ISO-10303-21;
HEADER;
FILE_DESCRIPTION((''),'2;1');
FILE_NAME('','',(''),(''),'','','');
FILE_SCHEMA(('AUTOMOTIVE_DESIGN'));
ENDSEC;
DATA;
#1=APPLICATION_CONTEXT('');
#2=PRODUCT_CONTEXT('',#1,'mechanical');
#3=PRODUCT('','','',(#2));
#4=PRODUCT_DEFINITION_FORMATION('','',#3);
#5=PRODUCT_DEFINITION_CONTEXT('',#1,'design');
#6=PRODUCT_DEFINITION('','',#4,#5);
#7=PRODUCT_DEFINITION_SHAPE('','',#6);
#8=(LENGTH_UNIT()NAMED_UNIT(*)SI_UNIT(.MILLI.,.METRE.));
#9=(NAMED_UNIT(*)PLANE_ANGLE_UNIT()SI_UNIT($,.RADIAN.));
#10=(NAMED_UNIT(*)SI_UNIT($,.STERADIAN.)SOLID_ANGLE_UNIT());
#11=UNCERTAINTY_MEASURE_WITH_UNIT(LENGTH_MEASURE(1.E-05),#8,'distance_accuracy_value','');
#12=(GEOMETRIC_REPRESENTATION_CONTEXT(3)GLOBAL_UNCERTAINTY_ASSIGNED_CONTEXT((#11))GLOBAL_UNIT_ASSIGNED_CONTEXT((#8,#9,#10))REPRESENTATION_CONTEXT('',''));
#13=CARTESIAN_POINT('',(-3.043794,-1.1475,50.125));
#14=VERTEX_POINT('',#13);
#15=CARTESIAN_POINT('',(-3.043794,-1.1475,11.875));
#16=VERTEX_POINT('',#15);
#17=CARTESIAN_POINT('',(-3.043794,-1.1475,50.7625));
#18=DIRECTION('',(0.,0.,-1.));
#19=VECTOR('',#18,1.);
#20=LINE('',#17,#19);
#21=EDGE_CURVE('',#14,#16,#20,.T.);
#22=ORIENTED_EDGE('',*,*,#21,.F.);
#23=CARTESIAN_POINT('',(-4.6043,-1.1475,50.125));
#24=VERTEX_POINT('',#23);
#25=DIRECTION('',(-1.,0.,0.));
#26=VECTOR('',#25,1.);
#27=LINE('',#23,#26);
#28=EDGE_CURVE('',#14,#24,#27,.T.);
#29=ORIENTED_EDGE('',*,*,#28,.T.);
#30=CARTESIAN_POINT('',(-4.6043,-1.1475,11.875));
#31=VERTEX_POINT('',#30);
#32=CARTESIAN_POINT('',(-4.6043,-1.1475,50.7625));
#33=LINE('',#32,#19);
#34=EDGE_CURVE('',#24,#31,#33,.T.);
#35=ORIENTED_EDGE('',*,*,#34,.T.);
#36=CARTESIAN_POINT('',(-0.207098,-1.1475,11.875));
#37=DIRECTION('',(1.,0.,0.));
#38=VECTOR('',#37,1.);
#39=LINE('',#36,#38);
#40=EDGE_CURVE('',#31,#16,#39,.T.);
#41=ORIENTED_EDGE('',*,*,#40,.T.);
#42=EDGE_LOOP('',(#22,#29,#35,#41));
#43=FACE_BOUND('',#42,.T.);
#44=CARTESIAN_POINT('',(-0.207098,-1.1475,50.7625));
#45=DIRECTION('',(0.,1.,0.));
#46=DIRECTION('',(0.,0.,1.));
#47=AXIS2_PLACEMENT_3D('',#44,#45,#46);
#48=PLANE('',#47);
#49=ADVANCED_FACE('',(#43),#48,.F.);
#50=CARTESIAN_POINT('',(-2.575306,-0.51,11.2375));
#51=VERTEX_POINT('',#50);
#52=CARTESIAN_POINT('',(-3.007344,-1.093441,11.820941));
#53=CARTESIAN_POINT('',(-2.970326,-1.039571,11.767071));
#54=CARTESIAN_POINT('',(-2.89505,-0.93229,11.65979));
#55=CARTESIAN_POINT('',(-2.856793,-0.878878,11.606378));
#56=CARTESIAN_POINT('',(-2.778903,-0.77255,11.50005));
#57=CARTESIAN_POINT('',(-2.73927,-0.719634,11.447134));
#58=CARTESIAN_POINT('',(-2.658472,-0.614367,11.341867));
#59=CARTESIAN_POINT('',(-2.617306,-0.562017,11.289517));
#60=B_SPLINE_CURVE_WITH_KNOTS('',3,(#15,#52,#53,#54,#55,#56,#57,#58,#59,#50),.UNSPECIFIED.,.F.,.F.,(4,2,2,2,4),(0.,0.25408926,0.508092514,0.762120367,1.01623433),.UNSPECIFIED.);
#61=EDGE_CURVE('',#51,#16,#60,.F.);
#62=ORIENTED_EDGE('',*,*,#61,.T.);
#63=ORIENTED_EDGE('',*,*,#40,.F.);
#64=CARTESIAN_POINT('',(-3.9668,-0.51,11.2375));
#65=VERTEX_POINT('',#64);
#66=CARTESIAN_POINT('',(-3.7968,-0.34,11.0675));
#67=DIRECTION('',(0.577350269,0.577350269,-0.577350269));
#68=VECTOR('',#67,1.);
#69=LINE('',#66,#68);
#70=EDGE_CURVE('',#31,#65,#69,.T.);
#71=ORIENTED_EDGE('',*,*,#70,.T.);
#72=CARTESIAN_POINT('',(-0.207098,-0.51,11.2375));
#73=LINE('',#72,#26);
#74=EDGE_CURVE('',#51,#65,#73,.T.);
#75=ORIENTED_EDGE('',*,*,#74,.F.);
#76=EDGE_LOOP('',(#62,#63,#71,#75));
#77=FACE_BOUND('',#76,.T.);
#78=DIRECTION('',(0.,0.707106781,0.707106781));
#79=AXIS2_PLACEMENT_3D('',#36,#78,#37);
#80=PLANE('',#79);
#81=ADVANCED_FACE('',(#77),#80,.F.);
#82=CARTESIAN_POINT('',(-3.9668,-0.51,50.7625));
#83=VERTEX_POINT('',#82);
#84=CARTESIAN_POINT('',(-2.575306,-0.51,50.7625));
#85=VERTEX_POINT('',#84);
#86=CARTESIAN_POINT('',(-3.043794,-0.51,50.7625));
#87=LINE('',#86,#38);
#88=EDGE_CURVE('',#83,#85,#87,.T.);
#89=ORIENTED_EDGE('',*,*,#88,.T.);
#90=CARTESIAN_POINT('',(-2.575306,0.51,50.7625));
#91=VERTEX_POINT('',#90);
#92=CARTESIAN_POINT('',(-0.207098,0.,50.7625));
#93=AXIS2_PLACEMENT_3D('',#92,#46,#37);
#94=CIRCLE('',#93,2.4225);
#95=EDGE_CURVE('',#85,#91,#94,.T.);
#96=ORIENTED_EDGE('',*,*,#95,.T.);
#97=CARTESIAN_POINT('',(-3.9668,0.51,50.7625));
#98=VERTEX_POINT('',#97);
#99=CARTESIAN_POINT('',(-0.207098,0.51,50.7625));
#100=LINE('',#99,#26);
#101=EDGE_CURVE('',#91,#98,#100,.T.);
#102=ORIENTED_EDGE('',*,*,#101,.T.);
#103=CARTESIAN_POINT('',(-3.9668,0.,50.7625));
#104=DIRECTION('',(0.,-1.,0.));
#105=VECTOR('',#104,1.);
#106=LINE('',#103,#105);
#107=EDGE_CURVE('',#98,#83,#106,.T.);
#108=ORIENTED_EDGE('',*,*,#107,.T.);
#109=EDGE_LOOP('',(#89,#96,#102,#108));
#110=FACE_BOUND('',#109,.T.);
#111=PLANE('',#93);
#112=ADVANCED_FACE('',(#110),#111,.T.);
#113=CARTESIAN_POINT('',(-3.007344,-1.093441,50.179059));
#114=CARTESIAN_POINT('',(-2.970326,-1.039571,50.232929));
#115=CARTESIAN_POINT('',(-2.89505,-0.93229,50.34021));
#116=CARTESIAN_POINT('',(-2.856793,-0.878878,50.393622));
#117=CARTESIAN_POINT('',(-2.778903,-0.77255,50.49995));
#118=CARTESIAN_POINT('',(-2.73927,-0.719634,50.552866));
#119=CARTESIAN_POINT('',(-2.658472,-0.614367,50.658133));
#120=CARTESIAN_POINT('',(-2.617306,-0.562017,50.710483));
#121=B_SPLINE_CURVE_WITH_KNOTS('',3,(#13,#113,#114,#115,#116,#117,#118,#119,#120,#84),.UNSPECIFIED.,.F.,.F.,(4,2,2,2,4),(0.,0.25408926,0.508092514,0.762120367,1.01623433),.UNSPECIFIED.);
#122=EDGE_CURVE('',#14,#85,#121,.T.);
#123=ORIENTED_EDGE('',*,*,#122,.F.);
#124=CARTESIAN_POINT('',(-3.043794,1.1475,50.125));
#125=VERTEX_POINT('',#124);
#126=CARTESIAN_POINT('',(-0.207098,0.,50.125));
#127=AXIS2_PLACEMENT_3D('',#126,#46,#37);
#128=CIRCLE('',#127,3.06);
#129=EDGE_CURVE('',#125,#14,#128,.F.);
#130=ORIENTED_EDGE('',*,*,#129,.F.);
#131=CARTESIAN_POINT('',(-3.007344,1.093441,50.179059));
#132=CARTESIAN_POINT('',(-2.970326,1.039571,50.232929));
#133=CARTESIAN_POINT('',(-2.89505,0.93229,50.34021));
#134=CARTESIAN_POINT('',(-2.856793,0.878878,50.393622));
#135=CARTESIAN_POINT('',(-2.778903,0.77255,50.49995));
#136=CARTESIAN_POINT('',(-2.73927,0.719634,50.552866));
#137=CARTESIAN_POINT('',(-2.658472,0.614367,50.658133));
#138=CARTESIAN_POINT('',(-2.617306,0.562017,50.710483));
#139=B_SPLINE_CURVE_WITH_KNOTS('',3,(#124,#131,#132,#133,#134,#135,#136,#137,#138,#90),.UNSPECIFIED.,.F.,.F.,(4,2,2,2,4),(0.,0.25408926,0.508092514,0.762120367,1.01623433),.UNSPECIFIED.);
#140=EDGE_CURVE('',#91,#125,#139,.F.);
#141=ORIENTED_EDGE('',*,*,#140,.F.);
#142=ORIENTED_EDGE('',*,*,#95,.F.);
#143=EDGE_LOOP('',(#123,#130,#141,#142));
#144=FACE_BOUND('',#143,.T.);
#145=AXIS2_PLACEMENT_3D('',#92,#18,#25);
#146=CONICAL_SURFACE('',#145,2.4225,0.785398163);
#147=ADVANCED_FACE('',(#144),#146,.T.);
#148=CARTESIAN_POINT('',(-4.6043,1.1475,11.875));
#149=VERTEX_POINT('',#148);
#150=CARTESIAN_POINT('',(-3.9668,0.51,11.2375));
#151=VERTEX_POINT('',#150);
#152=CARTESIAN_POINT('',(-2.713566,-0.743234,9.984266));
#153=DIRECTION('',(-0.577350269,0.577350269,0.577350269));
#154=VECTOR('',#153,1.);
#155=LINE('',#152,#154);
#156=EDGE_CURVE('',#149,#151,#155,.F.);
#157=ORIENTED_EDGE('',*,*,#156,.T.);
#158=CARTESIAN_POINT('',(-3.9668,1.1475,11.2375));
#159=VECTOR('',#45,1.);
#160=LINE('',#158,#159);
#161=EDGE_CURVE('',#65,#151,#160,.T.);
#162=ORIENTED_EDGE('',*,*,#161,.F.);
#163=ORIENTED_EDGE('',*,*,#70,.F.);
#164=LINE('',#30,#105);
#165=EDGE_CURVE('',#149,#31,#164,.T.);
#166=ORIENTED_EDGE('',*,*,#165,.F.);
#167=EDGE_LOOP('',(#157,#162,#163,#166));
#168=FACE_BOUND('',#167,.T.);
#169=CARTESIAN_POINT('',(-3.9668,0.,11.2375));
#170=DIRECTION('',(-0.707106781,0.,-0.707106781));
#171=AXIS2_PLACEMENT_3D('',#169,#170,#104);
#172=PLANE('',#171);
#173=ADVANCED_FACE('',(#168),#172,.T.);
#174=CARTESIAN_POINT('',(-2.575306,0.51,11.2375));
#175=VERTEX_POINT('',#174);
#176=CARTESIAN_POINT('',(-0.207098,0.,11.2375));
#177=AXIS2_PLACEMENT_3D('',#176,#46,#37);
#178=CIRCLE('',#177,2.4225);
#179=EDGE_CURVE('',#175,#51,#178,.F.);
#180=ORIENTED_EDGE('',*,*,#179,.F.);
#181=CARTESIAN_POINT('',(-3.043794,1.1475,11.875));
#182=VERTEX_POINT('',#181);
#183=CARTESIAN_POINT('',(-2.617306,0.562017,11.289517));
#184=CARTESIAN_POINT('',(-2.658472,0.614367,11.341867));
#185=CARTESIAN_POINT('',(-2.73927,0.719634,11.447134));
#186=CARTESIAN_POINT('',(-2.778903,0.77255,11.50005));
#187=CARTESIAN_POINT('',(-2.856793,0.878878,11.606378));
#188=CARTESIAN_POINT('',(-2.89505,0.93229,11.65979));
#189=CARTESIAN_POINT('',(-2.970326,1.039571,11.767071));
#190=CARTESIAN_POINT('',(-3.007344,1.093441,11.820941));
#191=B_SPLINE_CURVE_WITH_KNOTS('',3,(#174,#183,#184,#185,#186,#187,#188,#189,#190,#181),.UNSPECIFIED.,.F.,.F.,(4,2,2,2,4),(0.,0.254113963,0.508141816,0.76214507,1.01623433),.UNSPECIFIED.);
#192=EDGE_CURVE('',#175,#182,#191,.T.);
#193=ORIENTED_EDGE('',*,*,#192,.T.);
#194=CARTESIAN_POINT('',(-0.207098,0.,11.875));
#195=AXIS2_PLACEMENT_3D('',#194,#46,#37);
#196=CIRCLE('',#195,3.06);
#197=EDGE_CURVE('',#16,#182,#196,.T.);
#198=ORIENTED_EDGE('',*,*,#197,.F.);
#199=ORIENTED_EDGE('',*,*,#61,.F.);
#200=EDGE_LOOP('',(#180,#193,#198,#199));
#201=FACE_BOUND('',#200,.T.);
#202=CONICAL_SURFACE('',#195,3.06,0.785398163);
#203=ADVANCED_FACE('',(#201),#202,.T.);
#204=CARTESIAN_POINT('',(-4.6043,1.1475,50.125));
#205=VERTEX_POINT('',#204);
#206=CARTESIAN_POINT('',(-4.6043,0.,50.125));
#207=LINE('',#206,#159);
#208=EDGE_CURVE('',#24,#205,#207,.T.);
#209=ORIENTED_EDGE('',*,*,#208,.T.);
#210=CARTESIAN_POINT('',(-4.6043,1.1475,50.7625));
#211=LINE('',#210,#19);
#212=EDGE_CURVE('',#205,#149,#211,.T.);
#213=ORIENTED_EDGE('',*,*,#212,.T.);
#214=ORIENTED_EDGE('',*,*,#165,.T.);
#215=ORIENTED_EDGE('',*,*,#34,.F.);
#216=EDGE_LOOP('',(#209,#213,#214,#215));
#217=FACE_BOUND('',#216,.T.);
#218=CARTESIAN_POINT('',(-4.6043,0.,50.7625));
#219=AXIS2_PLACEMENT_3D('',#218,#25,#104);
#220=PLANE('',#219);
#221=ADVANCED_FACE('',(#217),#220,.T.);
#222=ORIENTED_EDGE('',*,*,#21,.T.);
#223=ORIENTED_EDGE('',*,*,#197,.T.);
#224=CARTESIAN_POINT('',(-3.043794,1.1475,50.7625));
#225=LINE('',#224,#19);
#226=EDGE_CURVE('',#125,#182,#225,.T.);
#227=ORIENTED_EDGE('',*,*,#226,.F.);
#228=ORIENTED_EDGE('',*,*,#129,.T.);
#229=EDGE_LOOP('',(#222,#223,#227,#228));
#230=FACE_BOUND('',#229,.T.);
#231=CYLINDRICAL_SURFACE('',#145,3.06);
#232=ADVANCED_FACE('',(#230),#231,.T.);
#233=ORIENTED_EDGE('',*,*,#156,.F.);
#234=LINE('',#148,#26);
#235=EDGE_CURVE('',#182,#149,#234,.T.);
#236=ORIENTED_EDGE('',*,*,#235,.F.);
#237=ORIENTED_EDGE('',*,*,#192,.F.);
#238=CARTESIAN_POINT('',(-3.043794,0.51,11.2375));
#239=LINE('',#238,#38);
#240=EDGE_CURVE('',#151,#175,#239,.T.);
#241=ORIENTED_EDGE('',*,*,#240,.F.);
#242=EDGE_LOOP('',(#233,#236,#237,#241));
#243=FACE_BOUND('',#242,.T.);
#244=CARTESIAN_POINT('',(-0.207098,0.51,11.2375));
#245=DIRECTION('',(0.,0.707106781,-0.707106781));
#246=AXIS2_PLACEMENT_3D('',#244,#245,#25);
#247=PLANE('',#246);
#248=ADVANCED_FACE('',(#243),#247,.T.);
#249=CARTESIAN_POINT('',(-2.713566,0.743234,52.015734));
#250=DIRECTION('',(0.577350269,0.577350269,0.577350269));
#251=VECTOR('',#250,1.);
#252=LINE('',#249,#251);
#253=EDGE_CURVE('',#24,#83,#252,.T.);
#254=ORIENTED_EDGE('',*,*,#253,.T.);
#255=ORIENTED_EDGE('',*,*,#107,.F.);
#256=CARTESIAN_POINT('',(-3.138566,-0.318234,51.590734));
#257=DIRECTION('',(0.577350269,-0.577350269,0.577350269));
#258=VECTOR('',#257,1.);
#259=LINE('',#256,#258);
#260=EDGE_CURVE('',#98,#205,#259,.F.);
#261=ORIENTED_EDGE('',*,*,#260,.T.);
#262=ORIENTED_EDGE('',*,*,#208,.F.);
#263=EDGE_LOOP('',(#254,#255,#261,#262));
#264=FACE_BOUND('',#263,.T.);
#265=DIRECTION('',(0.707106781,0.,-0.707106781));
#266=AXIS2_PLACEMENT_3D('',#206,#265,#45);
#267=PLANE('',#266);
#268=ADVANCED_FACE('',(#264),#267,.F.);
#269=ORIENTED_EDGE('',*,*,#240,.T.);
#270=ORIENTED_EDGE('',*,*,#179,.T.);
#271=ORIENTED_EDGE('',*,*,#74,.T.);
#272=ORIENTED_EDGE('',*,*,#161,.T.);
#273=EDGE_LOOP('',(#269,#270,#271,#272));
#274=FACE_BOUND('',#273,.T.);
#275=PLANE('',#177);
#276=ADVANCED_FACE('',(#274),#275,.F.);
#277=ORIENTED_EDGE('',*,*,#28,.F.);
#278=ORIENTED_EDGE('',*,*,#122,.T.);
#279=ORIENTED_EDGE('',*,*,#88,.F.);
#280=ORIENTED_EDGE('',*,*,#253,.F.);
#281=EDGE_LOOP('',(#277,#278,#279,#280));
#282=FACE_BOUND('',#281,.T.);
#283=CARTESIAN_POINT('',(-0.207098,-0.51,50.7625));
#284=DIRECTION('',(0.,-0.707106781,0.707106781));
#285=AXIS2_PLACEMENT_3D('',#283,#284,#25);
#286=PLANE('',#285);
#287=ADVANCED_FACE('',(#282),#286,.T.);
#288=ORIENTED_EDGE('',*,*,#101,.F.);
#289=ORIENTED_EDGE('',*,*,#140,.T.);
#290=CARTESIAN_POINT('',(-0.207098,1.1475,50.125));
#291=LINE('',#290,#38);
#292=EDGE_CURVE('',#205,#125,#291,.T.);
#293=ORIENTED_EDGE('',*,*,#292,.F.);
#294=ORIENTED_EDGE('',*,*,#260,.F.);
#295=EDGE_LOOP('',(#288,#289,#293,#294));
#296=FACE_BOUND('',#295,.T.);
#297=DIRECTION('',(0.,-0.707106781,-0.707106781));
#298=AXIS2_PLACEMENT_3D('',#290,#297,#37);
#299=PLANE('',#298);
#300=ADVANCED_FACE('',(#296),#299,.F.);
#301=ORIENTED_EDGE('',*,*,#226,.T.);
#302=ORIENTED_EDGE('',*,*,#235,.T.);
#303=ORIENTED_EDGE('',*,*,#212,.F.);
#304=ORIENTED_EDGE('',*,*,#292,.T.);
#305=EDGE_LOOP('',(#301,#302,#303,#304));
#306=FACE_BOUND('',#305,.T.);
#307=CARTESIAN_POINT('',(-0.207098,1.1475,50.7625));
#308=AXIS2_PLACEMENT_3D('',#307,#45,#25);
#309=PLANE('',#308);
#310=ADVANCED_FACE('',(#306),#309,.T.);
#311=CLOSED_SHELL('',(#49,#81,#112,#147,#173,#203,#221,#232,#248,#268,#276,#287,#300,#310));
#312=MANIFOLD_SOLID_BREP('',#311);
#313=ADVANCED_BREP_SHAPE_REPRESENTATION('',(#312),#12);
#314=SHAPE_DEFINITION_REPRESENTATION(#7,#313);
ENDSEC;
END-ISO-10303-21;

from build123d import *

# Parameters (mm, degrees)
BOSS_EXTRUDE1_DEPTH = 62
CHAMFER1_SIZE       = 1
CHAMFER2_SIZE       = 1
SCALE1_SCALE        = 0.75
SCALE2_SCALE        = 0.85


with BuildPart() as part:
    # Sketch1 → Boss-Extrude1 (new body)
    with BuildSketch(Plane(origin=(0, 0, 0), x_dir=(0, 1, 0), z_dir=(0, 0, 1))):
        with BuildLine():
            Line((1.8, 6.897570975), (-1.8, 6.897570975))
            Line((-1.8, 6.897570975), (-1.8, 4.449719092))
            ThreePointArc((-1.8, 4.449719092), (0, 4.8), (1.8, 4.449719092))
            Line((1.8, 4.449719092), (1.8, 6.897570975))
        make_face()
        with BuildLine():
            ThreePointArc((1.8, 4.449719092), (0, 4.8), (-1.8, 4.449719092))
            Line((-1.8, 4.449719092), (-1.8, 1.697570975))
            Line((-1.8, 1.697570975), (1.8, 1.697570975))
            Line((1.8, 1.697570975), (1.8, 4.449719092))
        make_face()
        with BuildLine():
            Line((-1.8, 1.697570975), (-1.8, 4.449719092))
            ThreePointArc((-1.8, 4.449719092), (-2.683281573, -3.979949748), (4.8, 0))
            ThreePointArc((4.8, 0), (3.979949748, 2.683281573), (1.8, 4.449719092))
            Line((1.8, 4.449719092), (1.8, 1.697570975))
            Line((1.8, 1.697570975), (-1.8, 1.697570975))
        make_face()
    extrude(amount=BOSS_EXTRUDE1_DEPTH)

    # Chamfer1
    chamfer1_edges = [part.edges().sort_by_distance(p)[0] for p in [
        (3.979949748, -2.683281573, 62),
        (-5.673645034, 1.8, 62),
        (-6.897570975, 0, 62),
        (-5.673645034, -1.8, 62),
    ]]
    chamfer(chamfer1_edges, length=CHAMFER1_SIZE)

    # Chamfer2
    chamfer2_edges = [part.edges().sort_by_distance(p)[0] for p in [
        (-6.897570975, 0, 0),
        (-5.673645034, 1.8, 0),
        (3.979949748, -2.683281573, 0),
        (-5.673645034, -1.8, 0),
    ]]
    chamfer(chamfer2_edges, length=CHAMFER2_SIZE)


with BuildPart() as part_1:
    # Scale1: scaled about (-0.57130559, 0, 31)
    add(part.part.scale(SCALE1_SCALE).moved(Location((-0.142826398, 0, 7.75))))


with BuildPart() as part_2:
    # Scale2: scaled about (-0.57130559, 0, 31)
    add(part_1.part.scale(SCALE2_SCALE).moved(Location((-0.085695839, 0, 4.65))))


solid = part_2.part
